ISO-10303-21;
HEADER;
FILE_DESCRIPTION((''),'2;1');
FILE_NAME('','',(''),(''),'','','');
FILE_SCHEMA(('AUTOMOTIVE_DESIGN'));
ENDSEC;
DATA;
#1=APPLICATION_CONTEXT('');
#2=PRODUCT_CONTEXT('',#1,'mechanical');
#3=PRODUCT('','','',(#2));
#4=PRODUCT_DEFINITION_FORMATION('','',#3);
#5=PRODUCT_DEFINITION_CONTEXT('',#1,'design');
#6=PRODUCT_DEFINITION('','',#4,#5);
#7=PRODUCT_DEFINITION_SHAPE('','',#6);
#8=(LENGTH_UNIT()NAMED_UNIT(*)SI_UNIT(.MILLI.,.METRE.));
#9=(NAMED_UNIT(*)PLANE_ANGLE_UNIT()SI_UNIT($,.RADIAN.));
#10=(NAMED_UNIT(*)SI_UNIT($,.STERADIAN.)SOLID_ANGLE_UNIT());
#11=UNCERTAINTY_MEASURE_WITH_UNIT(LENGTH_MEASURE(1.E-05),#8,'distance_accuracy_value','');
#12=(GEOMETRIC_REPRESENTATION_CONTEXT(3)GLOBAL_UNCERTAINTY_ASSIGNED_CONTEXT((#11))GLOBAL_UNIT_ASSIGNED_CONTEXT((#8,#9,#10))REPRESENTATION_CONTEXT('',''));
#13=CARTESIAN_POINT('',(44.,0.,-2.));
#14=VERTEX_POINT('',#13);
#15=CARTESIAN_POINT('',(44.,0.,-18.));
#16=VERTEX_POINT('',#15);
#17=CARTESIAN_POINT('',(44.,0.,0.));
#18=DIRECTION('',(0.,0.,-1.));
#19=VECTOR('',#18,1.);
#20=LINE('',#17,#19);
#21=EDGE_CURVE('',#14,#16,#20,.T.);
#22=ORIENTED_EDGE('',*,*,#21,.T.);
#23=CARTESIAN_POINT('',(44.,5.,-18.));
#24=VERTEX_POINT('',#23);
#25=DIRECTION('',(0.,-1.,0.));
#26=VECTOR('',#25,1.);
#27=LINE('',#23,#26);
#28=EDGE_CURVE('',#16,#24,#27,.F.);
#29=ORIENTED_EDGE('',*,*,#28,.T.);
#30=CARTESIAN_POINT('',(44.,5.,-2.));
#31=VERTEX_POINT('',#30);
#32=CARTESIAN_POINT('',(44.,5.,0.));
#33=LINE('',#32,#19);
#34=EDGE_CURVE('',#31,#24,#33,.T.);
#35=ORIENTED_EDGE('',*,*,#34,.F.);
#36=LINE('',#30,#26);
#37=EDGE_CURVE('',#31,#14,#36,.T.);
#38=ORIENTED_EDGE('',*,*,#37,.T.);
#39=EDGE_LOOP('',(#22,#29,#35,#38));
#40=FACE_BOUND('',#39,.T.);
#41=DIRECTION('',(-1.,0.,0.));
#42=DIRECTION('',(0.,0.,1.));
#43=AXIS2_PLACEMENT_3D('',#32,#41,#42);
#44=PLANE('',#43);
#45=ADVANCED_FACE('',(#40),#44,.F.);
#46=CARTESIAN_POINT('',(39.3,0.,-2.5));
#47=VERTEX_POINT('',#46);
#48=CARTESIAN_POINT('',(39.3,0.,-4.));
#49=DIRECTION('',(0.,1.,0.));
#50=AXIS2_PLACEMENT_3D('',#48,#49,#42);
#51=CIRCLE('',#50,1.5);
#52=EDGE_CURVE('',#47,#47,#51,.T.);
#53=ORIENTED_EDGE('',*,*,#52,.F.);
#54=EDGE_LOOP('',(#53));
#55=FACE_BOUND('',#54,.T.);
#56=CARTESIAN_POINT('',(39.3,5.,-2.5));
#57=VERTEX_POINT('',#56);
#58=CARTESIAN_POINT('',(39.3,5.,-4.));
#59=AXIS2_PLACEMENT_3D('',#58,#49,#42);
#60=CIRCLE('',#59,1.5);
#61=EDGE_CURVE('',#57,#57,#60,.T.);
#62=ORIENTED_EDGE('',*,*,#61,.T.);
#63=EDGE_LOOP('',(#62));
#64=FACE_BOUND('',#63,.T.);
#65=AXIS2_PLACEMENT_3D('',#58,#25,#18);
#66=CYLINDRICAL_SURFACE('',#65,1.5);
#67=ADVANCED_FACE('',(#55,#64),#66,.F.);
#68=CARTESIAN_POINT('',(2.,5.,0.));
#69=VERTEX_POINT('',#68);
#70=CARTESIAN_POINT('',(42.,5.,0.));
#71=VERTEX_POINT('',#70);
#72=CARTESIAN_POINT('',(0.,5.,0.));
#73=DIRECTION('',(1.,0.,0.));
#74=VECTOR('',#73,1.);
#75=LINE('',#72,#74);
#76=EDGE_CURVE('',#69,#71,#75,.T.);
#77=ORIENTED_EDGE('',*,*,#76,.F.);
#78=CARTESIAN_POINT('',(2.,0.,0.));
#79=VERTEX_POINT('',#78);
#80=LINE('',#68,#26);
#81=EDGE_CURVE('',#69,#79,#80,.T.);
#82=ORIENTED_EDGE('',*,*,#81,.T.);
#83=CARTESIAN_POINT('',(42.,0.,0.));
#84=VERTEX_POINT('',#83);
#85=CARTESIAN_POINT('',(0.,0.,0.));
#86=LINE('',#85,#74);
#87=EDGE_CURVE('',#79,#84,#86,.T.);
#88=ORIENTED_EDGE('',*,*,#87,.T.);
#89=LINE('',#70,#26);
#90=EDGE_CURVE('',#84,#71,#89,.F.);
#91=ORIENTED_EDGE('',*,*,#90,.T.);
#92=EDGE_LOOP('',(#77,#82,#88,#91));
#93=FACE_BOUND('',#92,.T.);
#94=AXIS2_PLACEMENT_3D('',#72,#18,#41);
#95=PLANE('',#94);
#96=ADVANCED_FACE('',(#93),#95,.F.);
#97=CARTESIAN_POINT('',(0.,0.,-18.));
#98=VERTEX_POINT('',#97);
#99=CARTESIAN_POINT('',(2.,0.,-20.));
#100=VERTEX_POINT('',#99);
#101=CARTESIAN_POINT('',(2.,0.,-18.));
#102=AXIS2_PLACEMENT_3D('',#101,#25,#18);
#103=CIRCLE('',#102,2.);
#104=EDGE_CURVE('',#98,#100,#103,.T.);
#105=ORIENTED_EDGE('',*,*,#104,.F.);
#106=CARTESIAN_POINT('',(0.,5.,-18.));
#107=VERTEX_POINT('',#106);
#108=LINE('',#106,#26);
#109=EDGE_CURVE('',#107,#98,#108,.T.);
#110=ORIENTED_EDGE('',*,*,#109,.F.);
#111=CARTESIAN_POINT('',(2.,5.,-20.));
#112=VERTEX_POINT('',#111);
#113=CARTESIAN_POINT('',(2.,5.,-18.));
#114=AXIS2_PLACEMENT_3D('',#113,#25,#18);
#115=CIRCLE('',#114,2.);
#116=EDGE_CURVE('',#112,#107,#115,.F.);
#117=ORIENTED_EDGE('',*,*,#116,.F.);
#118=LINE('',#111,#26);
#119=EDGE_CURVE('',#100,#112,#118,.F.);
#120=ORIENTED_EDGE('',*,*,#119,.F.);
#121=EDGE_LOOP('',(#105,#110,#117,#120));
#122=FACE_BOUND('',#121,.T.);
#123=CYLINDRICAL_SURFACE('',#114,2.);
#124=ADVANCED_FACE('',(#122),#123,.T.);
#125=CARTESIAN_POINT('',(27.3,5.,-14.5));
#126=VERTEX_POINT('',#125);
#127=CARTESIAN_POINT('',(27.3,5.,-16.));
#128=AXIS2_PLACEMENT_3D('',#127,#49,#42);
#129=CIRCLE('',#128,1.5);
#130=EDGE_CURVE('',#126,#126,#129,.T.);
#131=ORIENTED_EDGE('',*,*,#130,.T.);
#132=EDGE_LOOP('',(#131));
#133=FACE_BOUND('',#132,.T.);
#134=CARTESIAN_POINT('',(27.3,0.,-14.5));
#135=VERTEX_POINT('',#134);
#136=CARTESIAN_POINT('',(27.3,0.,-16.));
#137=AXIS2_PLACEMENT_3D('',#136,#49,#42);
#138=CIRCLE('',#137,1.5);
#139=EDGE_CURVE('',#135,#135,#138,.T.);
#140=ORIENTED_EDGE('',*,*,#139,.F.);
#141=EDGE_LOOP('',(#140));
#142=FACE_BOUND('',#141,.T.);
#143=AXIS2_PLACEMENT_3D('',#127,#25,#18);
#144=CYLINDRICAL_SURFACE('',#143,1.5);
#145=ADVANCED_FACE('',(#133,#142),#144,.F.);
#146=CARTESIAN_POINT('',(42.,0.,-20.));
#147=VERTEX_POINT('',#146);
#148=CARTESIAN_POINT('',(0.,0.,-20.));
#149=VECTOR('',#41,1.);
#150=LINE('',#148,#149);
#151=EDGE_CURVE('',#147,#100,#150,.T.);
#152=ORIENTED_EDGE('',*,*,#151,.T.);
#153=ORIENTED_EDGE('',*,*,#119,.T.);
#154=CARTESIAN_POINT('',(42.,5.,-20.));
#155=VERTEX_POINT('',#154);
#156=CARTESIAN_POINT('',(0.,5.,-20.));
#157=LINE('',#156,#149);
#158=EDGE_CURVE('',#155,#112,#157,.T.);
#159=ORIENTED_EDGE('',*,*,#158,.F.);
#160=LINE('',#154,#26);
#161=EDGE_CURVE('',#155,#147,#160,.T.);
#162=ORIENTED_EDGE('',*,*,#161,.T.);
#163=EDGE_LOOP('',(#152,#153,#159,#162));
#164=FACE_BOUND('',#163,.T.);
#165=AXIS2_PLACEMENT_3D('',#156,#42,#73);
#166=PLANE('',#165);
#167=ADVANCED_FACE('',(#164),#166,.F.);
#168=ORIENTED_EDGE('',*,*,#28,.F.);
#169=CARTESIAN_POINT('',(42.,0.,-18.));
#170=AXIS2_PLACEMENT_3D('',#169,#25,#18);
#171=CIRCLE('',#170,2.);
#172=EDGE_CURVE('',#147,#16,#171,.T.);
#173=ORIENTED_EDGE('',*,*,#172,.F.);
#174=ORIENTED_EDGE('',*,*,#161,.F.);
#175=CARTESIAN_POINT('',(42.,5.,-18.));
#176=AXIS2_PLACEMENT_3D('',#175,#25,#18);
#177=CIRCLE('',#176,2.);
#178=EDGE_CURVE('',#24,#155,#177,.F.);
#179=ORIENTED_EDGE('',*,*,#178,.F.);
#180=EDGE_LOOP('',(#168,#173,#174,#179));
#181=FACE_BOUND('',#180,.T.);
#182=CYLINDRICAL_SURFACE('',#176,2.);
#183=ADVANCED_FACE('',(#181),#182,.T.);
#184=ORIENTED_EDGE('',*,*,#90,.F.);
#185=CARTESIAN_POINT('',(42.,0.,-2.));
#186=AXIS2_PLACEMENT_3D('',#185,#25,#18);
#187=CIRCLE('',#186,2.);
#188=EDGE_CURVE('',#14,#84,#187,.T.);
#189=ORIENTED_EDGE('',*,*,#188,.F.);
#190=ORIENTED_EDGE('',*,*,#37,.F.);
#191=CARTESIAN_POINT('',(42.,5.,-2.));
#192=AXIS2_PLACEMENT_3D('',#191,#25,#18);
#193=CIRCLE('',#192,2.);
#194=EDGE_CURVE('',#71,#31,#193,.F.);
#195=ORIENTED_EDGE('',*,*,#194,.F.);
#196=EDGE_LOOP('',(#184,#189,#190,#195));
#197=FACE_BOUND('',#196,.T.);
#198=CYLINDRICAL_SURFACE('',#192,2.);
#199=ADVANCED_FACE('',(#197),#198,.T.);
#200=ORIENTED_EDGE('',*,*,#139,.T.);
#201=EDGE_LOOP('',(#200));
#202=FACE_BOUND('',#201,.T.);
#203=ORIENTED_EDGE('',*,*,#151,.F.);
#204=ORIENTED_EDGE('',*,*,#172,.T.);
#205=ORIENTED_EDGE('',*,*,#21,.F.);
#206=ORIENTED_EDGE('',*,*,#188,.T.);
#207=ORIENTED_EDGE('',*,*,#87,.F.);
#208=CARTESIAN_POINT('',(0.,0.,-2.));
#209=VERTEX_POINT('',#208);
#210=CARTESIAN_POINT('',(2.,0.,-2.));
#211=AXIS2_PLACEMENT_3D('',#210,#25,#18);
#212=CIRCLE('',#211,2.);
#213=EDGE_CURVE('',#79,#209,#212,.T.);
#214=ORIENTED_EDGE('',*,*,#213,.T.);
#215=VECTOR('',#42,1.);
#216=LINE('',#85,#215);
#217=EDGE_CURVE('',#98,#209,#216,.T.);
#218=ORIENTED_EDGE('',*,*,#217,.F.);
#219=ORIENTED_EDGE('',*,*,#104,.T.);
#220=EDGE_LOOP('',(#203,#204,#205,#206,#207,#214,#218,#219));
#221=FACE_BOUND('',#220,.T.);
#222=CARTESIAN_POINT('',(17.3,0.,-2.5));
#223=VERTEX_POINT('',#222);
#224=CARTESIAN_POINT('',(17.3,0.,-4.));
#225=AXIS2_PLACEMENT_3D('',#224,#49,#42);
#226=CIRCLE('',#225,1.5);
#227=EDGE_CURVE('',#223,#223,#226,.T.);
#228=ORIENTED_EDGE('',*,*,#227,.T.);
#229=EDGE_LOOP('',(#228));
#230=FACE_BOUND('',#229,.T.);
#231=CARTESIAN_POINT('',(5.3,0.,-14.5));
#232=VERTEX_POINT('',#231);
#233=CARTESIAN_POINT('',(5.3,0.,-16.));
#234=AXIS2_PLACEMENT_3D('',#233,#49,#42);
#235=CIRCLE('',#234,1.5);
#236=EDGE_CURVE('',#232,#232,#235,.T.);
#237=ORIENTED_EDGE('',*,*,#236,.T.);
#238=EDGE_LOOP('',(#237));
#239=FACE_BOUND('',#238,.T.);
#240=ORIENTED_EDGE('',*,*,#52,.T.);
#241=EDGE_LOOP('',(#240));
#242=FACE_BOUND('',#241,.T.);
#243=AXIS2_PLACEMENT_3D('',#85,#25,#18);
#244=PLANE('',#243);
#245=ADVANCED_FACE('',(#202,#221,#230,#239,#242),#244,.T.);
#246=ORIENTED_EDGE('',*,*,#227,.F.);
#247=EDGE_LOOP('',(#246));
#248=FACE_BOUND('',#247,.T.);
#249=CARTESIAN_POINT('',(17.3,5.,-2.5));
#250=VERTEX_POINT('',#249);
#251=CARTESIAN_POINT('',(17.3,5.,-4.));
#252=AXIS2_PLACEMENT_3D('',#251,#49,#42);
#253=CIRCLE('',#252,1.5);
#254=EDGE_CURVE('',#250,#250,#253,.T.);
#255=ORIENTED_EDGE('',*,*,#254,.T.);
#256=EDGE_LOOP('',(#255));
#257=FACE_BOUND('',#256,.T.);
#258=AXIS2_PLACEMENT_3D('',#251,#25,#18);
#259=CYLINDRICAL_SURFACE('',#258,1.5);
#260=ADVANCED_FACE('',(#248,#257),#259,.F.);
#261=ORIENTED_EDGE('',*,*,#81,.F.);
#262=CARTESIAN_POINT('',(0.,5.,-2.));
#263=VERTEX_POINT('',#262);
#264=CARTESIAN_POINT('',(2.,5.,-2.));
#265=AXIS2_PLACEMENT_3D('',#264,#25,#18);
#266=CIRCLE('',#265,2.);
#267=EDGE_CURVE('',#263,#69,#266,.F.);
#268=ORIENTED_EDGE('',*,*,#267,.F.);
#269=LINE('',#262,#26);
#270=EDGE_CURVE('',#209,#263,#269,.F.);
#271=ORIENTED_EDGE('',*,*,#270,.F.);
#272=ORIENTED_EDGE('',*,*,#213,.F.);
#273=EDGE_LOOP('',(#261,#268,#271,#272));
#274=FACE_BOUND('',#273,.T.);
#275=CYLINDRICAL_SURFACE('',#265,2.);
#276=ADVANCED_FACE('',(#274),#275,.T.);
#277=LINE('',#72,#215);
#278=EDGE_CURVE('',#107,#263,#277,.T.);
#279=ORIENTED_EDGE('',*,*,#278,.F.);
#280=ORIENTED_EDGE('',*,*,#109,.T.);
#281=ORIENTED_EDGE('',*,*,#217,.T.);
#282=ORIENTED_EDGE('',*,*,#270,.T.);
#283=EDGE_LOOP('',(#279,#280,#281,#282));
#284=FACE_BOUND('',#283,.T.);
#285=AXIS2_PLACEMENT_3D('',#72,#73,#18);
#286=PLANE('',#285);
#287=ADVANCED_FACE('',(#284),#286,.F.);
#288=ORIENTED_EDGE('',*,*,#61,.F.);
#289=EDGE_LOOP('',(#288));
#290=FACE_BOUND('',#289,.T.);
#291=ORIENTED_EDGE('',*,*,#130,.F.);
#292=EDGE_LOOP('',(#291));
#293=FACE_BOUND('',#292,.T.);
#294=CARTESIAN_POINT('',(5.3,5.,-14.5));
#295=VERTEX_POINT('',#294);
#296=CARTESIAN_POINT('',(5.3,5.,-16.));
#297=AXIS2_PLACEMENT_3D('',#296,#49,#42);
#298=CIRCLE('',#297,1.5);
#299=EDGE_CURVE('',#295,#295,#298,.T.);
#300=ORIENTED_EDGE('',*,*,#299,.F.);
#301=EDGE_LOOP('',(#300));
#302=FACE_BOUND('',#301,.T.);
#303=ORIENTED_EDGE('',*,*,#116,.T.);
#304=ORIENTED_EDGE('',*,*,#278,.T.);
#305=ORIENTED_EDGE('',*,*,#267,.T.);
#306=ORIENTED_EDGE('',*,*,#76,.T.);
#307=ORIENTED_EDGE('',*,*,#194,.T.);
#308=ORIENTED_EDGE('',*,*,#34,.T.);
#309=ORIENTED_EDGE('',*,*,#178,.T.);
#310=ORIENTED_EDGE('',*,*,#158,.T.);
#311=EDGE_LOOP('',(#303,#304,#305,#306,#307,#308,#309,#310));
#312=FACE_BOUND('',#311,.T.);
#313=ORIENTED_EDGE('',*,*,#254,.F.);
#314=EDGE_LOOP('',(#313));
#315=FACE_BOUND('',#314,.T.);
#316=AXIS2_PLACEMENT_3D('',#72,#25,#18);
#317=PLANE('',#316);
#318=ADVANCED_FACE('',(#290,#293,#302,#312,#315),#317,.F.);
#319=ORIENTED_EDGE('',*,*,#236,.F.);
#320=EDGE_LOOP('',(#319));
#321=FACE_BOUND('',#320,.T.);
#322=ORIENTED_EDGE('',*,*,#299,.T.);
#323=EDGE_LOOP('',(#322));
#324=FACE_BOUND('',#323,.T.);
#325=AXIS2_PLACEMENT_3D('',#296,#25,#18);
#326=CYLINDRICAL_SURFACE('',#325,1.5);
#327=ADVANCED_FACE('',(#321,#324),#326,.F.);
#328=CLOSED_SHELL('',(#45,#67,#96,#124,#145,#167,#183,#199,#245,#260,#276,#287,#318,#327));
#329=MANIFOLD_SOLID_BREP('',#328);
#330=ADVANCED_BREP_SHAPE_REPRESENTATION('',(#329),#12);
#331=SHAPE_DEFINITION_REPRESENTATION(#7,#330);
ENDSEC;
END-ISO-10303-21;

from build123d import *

# Parameters (mm, degrees)
SKETCH_1_W      = 44
SKETCH_1_H      = 20
SKETCH_1_R      = 1.5
EXTRUDE_1_DEPTH = 5
FILLET_1_R      = 2


with BuildPart() as part:
    # 草图1 → 凸台-拉伸1 (new body)
    with BuildSketch(Plane(origin=(0, 0, 0), x_dir=(1, 0, 0), z_dir=(0, 1, 0))):
        with Locations((22, 10)):
            Rectangle(SKETCH_1_W, SKETCH_1_H)
        with Locations(Location((5.3, 16, 0), (0, 0, 270))):
            Circle(SKETCH_1_R, mode=Mode.SUBTRACT)
        with Locations(Location((17.3, 4, 0), (0, 0, 270))):
            Circle(SKETCH_1_R, mode=Mode.SUBTRACT)
        with Locations(Location((27.3, 16, 0), (0, 0, 270))):
            Circle(SKETCH_1_R, mode=Mode.SUBTRACT)
        with Locations(Location((39.3, 4, 0), (0, 0, 270))):
            Circle(SKETCH_1_R, mode=Mode.SUBTRACT)
    extrude(amount=EXTRUDE_1_DEPTH)

    # 圆角1
    fillet_1_edges = [part.edges().sort_by_distance(p)[0] for p in [
        (0, 2.5, -20),
        (44, 2.5, -20),
        (44, 2.5, 0),
        (0, 2.5, 0),
    ]]
    fillet(fillet_1_edges, radius=FILLET_1_R)


solid = part.part
